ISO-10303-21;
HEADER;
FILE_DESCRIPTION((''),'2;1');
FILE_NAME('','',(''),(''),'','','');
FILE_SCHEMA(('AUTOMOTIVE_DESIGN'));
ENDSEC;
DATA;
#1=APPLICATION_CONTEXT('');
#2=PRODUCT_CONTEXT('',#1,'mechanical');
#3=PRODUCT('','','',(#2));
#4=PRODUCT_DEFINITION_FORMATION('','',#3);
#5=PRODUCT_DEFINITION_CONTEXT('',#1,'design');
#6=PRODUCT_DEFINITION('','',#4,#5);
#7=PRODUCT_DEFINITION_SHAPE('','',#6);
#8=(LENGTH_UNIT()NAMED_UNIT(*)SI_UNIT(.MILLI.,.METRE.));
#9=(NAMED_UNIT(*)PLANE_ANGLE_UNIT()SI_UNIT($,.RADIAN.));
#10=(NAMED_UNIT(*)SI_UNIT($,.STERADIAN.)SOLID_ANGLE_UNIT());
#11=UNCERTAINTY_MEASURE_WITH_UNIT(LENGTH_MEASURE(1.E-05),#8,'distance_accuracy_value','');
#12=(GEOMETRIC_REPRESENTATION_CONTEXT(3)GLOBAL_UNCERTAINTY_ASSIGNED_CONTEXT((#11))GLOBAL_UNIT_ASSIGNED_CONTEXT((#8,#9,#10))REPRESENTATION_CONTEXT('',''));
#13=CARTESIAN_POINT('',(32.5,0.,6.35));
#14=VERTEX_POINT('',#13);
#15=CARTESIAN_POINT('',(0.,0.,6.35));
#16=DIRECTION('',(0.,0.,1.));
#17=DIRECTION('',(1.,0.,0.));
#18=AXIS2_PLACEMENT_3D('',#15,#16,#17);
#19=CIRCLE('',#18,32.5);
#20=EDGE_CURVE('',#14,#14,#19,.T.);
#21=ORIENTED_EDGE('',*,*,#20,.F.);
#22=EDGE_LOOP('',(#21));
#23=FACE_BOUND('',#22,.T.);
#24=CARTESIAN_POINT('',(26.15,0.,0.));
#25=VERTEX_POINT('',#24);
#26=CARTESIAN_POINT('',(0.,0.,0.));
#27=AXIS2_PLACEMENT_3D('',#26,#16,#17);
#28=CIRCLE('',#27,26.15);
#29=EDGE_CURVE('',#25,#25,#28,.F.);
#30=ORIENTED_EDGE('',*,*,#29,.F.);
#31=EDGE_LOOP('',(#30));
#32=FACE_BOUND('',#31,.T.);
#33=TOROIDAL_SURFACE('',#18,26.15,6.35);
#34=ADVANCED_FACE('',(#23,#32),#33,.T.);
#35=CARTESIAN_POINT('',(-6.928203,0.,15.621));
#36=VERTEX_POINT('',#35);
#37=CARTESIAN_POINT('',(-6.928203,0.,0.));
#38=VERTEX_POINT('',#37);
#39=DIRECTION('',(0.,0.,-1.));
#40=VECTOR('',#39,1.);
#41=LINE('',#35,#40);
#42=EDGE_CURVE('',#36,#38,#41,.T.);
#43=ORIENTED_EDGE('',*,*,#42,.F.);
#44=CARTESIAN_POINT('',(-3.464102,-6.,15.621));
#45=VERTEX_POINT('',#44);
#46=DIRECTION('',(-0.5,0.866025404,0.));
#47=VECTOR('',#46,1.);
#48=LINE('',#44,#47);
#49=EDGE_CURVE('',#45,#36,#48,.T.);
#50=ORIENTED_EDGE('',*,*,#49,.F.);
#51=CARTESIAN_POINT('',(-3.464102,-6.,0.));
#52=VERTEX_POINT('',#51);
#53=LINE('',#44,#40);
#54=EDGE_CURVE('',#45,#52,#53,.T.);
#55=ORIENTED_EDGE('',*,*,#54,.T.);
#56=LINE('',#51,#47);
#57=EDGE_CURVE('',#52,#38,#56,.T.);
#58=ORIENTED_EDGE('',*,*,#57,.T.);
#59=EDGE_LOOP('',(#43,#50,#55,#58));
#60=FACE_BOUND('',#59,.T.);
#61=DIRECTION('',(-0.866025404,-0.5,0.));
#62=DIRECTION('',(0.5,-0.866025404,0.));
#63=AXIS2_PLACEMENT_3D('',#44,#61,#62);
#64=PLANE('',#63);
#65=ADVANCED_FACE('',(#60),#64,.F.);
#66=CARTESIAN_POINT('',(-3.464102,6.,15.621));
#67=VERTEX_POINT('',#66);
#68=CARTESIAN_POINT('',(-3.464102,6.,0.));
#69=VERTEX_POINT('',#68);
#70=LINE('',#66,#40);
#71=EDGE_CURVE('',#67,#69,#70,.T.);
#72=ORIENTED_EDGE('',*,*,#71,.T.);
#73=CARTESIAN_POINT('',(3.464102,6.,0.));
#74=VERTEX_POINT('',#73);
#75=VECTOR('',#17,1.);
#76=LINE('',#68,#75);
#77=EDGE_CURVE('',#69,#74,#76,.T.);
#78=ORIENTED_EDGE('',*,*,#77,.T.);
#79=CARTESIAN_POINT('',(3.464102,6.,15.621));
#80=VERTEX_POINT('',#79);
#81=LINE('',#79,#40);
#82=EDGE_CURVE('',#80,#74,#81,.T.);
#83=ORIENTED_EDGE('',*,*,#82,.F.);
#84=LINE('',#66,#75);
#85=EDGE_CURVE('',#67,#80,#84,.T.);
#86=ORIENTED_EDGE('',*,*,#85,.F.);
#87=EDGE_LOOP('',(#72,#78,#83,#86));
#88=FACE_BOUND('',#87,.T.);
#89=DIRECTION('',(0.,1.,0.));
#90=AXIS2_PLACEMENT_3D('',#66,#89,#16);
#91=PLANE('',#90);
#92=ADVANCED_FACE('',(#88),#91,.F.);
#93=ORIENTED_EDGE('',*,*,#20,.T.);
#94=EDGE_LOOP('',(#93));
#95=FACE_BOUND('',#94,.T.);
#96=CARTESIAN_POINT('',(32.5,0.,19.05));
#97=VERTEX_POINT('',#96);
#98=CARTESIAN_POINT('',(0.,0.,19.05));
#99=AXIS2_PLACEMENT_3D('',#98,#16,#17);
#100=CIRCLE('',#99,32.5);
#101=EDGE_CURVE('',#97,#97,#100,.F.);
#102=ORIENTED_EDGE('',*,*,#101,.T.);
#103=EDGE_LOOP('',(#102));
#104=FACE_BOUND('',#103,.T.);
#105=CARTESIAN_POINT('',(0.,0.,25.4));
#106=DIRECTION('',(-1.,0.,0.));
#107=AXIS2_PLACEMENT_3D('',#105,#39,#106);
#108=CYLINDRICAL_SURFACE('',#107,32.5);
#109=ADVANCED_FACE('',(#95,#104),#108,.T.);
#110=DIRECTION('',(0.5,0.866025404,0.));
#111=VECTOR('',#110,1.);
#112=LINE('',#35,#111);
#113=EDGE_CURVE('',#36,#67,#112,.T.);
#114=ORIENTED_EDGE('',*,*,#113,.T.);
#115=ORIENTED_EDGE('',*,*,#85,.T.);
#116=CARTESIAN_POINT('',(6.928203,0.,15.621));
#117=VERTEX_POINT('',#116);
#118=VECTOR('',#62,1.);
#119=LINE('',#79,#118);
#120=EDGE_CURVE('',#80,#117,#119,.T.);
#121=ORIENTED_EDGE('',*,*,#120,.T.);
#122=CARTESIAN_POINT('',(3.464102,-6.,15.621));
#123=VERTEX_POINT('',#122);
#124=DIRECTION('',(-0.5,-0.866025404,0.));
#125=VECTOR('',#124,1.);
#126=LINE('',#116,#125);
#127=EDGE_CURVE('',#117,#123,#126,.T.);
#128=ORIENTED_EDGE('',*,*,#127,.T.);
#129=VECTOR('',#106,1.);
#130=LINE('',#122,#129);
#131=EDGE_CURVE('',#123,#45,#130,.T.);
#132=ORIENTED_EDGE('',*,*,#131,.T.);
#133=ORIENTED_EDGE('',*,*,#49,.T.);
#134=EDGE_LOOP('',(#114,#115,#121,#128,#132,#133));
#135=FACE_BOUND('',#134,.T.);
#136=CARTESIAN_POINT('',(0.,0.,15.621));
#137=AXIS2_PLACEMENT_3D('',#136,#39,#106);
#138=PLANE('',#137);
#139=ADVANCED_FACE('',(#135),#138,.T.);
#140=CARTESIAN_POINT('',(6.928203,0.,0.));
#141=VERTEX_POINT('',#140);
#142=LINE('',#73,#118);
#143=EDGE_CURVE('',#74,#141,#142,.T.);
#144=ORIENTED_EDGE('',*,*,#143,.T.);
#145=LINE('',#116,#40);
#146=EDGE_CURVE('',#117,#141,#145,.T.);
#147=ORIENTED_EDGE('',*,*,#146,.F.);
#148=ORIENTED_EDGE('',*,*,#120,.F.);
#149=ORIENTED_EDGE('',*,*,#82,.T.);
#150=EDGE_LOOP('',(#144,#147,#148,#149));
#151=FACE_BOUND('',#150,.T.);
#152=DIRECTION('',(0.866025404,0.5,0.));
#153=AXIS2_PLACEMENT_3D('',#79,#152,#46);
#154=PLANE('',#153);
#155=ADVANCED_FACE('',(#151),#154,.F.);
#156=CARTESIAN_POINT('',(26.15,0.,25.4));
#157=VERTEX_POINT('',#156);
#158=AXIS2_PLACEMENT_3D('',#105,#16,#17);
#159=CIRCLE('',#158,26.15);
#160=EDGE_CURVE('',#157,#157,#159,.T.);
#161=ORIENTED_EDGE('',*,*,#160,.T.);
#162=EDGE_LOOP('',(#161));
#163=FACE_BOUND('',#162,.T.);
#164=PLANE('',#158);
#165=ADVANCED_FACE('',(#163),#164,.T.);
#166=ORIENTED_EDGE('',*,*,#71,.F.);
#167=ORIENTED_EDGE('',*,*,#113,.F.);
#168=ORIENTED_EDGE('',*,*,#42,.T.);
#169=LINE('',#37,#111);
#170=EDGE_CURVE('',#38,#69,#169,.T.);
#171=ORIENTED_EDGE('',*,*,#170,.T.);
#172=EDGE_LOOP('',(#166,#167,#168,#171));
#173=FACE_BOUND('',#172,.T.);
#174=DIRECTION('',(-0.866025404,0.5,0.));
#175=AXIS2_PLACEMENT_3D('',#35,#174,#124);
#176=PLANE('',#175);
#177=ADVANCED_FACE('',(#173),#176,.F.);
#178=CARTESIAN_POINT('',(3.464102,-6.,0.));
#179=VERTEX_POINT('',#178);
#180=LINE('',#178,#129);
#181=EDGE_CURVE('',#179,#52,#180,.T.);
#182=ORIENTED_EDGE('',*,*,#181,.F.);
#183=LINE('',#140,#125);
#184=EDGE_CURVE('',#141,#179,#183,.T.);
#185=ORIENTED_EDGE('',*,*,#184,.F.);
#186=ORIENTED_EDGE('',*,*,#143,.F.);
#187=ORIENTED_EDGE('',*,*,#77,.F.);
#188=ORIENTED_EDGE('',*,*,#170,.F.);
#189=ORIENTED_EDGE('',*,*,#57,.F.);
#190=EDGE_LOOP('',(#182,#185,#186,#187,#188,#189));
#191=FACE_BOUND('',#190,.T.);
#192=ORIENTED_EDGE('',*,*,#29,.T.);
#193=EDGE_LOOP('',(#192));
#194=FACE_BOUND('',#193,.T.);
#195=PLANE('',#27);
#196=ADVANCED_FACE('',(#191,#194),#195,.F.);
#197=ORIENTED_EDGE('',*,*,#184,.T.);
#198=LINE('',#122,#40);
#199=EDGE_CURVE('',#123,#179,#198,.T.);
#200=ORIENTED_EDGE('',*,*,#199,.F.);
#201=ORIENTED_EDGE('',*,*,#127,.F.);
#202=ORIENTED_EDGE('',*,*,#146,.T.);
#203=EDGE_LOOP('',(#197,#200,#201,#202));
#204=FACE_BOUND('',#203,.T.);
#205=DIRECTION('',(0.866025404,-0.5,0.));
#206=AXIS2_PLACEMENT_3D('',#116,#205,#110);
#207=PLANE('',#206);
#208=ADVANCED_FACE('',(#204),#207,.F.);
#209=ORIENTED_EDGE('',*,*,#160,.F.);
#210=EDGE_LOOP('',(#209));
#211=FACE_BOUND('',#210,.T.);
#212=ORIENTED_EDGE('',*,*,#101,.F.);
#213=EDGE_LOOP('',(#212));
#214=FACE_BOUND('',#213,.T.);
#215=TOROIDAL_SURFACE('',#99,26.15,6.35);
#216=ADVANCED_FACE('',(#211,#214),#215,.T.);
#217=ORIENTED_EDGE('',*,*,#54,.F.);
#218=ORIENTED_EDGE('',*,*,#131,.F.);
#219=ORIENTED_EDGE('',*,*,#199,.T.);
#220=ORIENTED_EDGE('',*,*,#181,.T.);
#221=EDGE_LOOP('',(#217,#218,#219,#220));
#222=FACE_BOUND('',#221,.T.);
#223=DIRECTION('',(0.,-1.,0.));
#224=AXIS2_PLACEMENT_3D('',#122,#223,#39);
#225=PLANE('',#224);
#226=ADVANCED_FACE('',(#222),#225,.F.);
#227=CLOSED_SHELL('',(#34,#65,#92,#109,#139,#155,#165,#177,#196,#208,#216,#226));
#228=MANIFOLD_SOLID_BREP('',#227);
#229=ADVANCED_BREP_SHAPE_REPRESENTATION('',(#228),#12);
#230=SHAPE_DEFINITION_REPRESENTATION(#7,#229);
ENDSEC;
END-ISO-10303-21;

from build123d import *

# Parameters (mm, degrees)
SKETCH1_R           = 32.5
BOSS_EXTRUDE1_DEPTH = 25.4
FILLET1_R           = 6.35
CUT_EXTRUDE1_DEPTH  = 15.621


with BuildPart() as part:
    # Sketch1 → Boss-Extrude1 (new body)
    with BuildSketch(Plane.XY):
        Circle(SKETCH1_R)
    extrude(amount=BOSS_EXTRUDE1_DEPTH)

    # Fillet1
    fillet1_edges = [part.edges().sort_by_distance(p)[0] for p in [
        (-32.5, 0, 0),
        (-32.5, 0, 25.4),
    ]]
    fillet(fillet1_edges, radius=FILLET1_R)

    # Sketch2 → Cut-Extrude1 (cut)
    with BuildSketch(Plane(origin=(0, 0, 0), x_dir=(-1, 0, 0), z_dir=(0, 0, -1))):
        Polygon((3.464101615, -6), (6.92820323, 0), (3.464101615, 6), (-3.464101615, 6), (-6.92820323, 0), (-3.464101615, -6), align=None)
    extrude(amount=-CUT_EXTRUDE1_DEPTH, mode=Mode.SUBTRACT)


solid = part.part
